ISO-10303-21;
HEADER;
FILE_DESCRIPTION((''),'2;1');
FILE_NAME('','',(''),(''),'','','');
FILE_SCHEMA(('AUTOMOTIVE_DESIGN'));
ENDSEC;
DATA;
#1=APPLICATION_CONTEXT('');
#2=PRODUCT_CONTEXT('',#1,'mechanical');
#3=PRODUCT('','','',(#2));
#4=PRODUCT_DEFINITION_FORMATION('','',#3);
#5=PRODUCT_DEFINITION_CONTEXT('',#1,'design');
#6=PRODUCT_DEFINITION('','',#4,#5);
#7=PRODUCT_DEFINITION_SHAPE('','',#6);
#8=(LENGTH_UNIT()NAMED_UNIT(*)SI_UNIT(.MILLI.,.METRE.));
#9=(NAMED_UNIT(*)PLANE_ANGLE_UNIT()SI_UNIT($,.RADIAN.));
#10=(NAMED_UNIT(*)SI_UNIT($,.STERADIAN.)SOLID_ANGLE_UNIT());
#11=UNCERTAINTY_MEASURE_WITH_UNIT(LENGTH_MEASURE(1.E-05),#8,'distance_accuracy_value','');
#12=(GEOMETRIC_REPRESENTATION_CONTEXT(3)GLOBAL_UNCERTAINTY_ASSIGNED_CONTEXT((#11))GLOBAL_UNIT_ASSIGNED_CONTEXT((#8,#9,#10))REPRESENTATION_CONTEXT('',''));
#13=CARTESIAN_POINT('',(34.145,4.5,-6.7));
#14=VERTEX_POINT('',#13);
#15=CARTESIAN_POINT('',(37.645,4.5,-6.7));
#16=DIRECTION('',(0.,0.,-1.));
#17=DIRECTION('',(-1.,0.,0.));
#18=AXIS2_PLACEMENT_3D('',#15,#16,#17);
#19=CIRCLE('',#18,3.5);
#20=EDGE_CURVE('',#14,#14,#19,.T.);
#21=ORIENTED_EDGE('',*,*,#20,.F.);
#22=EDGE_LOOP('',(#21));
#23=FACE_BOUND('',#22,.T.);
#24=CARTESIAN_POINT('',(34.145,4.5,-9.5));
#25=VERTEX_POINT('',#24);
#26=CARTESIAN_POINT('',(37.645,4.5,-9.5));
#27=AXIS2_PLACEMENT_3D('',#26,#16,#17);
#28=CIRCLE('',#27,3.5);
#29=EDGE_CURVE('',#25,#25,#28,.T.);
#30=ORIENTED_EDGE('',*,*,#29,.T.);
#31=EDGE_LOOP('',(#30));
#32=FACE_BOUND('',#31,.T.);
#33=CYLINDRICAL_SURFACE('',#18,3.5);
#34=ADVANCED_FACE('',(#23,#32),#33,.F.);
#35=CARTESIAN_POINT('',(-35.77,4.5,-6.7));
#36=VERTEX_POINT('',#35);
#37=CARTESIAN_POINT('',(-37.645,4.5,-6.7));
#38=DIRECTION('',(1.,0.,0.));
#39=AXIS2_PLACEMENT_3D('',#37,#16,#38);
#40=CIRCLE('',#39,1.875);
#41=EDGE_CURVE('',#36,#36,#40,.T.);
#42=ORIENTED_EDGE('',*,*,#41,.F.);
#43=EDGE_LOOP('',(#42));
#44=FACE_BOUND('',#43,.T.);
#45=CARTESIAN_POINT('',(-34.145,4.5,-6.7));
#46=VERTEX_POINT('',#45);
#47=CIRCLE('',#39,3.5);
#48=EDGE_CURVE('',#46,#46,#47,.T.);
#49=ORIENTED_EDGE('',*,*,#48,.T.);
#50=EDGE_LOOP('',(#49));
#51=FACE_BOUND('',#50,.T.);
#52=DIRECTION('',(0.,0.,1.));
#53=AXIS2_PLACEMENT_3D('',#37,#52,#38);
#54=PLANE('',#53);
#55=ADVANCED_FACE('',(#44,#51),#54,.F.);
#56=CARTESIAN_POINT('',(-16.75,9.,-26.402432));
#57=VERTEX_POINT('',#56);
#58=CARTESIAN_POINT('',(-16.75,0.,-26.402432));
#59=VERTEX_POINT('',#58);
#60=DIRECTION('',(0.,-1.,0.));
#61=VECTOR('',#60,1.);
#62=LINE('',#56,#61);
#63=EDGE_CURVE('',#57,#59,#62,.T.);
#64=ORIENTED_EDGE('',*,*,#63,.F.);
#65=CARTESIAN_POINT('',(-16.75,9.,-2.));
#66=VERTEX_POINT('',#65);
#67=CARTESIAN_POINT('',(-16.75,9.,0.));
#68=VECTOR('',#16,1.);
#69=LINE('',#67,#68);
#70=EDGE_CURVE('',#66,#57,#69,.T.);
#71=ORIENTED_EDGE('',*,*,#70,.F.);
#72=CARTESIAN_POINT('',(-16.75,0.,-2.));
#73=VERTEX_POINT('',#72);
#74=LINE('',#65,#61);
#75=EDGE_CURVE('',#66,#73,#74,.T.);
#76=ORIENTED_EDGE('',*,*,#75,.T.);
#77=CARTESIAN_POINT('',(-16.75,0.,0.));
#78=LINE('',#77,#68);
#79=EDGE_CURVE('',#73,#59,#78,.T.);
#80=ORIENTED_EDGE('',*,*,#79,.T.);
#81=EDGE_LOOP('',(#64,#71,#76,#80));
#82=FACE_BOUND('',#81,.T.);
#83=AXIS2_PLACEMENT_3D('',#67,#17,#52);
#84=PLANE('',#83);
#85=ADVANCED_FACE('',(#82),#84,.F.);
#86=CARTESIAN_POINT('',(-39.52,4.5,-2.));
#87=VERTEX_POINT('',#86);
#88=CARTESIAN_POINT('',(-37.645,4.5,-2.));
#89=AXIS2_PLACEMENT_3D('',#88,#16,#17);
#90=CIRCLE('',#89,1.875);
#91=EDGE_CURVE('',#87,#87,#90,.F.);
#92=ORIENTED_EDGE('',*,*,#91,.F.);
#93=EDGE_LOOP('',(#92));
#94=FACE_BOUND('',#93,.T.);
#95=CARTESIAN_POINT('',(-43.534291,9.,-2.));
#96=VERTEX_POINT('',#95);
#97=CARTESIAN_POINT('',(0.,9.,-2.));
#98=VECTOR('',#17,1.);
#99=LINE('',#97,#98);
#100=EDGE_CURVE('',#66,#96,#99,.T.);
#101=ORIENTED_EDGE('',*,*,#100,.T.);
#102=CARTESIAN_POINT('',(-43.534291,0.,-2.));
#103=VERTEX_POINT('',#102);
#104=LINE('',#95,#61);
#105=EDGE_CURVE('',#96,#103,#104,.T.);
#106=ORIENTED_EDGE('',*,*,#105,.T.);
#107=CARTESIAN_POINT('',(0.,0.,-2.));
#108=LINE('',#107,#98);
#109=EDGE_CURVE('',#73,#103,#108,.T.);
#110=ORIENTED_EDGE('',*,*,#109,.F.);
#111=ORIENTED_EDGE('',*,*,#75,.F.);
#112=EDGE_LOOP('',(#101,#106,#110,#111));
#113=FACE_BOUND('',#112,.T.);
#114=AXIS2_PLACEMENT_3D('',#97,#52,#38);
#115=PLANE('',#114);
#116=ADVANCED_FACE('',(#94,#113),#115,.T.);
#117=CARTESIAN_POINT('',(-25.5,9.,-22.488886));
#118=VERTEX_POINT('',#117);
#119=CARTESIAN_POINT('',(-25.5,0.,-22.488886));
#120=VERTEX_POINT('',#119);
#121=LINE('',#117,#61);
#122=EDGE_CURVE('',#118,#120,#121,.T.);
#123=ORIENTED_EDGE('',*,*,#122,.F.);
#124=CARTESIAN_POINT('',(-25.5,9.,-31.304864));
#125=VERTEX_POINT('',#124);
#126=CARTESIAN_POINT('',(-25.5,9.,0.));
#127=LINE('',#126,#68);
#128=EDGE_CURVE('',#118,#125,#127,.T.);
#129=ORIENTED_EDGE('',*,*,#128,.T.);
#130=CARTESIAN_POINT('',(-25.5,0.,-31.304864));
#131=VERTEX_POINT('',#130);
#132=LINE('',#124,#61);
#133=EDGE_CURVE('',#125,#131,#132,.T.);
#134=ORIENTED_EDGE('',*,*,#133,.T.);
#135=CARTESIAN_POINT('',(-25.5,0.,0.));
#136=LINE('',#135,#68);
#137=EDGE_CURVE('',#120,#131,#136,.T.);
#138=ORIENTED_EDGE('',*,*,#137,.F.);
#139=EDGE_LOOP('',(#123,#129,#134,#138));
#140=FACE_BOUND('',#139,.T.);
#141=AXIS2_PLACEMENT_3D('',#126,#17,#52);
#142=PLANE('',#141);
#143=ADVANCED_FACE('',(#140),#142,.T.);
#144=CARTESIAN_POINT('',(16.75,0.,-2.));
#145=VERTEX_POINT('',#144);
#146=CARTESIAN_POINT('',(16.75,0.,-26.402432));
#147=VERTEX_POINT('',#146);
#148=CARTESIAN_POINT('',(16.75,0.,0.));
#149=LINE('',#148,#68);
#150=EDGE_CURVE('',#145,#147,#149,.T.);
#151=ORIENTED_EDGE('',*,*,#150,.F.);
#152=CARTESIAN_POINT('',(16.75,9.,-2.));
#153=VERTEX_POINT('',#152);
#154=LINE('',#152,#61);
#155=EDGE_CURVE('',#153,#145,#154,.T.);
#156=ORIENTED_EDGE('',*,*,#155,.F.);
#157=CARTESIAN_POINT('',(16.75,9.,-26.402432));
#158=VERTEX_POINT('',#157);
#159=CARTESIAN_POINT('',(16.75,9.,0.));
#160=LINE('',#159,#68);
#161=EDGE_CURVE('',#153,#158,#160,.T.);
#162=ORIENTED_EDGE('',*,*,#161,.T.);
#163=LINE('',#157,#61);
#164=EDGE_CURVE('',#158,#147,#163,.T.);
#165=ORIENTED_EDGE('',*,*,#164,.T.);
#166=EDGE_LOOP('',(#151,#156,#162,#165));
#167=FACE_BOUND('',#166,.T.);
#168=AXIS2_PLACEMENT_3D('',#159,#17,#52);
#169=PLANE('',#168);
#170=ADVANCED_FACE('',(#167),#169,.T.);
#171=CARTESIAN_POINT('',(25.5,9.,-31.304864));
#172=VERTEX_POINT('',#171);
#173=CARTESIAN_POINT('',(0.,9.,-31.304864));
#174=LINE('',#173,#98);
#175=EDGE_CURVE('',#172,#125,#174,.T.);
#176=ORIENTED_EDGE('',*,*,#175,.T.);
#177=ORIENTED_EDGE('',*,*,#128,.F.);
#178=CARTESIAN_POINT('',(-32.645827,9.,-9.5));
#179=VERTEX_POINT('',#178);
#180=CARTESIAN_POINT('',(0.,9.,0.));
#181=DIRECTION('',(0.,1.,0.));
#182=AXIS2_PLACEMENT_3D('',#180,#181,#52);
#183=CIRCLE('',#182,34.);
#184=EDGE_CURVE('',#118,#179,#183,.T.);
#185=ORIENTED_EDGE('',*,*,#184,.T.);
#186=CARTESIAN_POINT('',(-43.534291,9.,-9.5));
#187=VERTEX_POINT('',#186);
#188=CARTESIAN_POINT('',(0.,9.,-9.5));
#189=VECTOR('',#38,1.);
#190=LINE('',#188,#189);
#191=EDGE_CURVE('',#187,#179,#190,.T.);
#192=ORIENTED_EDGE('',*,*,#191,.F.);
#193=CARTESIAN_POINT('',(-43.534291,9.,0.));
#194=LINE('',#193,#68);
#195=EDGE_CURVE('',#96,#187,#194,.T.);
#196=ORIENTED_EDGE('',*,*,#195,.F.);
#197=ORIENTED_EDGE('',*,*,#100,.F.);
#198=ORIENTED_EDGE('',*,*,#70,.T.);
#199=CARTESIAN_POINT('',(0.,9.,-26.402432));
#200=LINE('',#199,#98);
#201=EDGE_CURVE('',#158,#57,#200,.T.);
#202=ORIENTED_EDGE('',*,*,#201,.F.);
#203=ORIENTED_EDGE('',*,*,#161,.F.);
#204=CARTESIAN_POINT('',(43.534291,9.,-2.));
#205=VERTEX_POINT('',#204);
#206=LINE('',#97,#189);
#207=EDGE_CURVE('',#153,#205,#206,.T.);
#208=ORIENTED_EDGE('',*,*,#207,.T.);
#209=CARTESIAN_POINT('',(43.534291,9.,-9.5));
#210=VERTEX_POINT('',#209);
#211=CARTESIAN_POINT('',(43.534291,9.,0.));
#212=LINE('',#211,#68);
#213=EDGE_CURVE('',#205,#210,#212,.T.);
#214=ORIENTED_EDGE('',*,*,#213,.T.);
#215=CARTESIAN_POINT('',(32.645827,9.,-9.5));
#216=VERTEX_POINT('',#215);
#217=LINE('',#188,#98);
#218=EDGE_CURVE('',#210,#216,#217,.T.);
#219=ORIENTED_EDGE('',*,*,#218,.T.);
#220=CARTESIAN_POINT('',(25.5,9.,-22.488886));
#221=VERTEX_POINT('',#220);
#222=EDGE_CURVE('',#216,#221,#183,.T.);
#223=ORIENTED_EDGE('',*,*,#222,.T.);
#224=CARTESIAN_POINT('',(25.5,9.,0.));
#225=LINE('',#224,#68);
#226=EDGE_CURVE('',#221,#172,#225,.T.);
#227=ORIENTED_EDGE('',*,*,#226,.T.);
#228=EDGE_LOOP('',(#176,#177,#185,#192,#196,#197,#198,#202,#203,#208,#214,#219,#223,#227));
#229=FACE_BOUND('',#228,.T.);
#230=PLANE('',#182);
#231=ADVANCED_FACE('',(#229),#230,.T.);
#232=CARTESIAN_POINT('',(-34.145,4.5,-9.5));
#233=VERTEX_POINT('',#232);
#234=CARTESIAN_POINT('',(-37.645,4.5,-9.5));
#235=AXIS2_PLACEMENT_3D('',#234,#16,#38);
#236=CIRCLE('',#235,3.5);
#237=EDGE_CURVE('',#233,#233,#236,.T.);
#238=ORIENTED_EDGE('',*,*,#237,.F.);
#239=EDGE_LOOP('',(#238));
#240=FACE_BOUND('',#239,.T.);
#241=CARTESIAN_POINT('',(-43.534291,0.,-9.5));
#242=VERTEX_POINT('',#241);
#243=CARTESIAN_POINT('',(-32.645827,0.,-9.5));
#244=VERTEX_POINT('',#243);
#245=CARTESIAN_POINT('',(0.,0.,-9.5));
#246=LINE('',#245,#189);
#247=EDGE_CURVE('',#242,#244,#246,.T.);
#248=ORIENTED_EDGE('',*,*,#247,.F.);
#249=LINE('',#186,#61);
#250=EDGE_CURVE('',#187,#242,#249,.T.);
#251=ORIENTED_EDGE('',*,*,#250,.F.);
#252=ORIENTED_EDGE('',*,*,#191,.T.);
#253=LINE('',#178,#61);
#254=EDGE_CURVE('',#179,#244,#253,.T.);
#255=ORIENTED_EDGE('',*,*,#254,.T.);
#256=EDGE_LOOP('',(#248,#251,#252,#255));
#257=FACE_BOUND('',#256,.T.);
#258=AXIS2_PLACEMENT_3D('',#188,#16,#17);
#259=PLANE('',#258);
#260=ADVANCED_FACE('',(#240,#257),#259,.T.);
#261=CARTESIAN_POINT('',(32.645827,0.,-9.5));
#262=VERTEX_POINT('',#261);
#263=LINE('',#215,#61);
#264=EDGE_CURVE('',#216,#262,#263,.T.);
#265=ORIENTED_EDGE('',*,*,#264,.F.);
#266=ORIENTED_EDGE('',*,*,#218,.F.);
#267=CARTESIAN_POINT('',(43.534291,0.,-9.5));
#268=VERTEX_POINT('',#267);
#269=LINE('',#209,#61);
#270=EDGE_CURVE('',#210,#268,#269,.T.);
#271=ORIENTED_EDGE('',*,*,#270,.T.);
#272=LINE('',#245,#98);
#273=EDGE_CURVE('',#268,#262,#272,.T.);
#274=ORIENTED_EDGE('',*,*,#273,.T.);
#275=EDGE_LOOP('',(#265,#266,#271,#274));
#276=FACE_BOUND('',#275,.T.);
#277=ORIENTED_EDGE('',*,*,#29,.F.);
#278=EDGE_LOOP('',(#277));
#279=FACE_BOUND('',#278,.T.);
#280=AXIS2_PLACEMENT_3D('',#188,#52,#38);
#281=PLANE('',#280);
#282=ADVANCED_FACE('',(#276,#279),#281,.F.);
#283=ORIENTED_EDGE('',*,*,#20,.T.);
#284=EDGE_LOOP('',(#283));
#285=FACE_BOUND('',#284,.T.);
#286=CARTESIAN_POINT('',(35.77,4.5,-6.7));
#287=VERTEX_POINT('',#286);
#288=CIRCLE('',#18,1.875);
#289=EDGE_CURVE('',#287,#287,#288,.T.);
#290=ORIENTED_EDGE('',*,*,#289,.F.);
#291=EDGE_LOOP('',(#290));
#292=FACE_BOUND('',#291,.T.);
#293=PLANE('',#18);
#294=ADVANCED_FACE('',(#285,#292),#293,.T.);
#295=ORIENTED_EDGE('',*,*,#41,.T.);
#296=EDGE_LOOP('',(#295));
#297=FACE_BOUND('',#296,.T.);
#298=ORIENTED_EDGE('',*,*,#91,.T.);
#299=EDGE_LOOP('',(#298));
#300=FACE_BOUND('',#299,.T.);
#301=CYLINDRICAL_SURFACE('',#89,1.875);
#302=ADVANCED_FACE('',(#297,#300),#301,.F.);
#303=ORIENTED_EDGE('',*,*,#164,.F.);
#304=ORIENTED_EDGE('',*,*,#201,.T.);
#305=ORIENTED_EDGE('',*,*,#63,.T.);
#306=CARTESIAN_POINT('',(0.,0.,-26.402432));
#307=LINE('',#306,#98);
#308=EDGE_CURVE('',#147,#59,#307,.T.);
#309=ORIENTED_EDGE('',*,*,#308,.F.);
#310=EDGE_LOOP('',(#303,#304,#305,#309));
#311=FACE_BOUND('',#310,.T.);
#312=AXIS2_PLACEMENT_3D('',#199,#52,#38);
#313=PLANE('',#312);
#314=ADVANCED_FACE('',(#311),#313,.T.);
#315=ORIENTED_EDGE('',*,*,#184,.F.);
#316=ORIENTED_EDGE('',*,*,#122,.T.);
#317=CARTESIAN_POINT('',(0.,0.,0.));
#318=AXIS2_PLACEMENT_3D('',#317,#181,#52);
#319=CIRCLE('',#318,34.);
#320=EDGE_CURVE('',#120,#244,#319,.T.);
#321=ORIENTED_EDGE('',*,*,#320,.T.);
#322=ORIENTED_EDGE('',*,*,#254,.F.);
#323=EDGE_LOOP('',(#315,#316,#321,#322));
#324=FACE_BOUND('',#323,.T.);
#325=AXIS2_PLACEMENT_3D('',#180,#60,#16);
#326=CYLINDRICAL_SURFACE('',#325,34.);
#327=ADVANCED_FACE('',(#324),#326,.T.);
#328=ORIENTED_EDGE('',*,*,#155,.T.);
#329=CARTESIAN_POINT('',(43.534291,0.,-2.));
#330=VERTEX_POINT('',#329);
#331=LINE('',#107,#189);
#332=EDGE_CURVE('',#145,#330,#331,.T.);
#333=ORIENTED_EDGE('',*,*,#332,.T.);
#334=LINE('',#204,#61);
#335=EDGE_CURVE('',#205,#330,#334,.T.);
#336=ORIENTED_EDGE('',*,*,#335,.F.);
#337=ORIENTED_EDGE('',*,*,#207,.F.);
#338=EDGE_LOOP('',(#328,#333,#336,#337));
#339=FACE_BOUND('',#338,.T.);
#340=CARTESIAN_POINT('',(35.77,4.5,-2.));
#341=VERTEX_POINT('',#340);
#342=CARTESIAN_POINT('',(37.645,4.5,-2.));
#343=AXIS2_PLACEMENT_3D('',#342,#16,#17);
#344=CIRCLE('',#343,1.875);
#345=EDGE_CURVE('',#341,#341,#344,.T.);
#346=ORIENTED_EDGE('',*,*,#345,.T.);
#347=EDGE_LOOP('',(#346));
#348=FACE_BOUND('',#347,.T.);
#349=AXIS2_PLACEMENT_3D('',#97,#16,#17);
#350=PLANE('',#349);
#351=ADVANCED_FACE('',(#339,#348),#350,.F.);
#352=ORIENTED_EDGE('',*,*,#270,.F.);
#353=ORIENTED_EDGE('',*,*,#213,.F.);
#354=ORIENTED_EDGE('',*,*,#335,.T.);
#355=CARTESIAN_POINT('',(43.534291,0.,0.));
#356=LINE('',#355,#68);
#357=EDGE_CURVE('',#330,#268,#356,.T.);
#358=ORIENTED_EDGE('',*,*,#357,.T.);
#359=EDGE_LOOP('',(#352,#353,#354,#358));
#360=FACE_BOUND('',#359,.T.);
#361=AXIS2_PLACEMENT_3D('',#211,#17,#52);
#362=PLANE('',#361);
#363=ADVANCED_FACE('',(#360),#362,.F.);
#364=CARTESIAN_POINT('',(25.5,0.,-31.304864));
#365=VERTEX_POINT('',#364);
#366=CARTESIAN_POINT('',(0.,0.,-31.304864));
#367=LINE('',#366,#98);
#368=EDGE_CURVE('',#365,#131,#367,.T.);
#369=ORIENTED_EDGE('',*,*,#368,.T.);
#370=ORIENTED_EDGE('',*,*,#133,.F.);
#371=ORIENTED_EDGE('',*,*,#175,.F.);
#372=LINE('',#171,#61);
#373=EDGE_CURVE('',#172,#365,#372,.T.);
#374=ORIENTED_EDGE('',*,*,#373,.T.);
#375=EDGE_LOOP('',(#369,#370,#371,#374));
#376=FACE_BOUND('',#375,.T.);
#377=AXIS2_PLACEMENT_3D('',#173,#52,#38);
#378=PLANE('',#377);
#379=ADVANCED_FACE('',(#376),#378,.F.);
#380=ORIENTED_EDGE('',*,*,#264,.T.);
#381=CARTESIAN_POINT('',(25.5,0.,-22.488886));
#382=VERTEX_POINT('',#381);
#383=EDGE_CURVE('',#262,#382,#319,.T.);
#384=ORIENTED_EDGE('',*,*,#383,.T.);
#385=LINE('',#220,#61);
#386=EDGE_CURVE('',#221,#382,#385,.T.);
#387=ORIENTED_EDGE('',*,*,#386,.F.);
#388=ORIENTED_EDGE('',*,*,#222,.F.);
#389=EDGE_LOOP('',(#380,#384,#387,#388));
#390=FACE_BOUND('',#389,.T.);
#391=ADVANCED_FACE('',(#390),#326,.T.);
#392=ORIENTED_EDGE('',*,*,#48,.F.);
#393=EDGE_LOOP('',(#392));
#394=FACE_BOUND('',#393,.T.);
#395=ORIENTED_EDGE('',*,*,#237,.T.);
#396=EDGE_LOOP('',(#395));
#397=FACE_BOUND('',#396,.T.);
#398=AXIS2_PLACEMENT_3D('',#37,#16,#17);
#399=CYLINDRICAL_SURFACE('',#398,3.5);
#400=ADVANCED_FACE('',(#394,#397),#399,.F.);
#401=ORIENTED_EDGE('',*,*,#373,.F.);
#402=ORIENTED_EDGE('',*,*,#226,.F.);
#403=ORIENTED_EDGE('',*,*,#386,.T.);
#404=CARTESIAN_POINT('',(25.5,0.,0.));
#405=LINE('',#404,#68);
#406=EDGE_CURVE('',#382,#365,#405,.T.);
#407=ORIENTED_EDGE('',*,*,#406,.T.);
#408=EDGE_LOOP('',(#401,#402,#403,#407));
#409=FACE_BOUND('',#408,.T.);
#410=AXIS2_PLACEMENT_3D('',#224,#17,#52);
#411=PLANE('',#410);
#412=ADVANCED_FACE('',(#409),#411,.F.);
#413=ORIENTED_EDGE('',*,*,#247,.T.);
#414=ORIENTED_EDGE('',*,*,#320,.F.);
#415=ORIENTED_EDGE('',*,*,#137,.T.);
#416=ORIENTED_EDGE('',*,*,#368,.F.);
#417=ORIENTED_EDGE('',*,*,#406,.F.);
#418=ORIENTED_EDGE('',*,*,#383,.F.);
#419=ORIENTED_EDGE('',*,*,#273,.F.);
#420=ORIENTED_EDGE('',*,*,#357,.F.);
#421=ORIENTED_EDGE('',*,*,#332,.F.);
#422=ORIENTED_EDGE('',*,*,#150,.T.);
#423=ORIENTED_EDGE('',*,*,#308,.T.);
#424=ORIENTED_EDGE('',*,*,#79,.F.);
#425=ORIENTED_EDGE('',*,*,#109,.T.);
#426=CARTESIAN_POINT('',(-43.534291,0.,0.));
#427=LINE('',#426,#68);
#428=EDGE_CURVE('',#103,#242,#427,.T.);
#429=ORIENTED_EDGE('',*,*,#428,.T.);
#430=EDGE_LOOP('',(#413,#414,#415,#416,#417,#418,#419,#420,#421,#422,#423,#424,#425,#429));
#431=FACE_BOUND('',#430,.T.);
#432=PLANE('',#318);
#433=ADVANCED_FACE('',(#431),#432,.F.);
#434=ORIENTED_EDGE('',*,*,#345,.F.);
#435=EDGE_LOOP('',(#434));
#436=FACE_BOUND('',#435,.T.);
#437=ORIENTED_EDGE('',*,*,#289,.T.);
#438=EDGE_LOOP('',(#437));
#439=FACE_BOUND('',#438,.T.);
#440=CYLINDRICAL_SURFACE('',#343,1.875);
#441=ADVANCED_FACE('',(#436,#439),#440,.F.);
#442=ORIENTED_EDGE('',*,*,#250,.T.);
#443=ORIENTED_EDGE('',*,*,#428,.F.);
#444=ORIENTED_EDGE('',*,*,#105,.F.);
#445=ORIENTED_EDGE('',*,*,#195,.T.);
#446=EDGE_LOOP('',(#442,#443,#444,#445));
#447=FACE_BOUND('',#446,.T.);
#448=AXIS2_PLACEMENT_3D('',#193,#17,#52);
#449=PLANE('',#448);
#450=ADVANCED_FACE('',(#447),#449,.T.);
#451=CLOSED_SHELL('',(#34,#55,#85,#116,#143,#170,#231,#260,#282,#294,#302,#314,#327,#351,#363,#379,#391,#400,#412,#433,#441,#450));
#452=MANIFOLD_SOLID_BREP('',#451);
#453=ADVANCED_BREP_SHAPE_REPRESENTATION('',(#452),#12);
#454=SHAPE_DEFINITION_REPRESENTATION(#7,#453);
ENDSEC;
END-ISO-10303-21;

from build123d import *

# Parameters (mm, degrees)
SALIENTE_EXTRUIR1_DEPTH = 9
CROQUIS2_R              = 1.875
CORTAR_EXTRUIR1_DEPTH   = 50.514508735
CROQUIS2_3_R            = 3.5
CROQUIS2_3_R_2          = 1.875
CORTAR_EXTRUIR2_DEPTH   = 2.8


with BuildPart() as part:
    # Croquis1 → Saliente-Extruir1 (new body)
    with BuildSketch(Plane(origin=(0, 0, 0), x_dir=(1, 0, 0), z_dir=(0, 1, 0))):
        with BuildLine():
            Line((16.75, 2), (25.53429067, 2))
            Line((25.53429067, 2), (43.53429067, 2))
            Line((43.53429067, 2), (43.53429067, 9.5))
            Line((43.53429067, 9.5), (32.645826686, 9.5))
            ThreePointArc((32.645826686, 9.5), (29.789462584, 16.388652139), (25.5, 22.488886144))
            Line((25.5, 22.488886144), (25.5, 31.304864393))
            Line((25.5, 31.304864393), (-25.5, 31.304864393))
            Line((-25.5, 31.304864393), (-25.5, 22.488886144))
            ThreePointArc((-25.5, 22.488886144), (-29.789462584, 16.388652139), (-32.645826686, 9.5))
            Line((-32.645826686, 9.5), (-43.53429067, 9.5))
            Line((-43.53429067, 9.5), (-43.53429067, 2))
            Line((-43.53429067, 2), (-25.53429067, 2))
            Line((-25.53429067, 2), (-16.75, 2))
            Line((-16.75, 2), (-16.75, 26.402432196))
            Line((-16.75, 26.402432196), (16.75, 26.402432196))
            Line((16.75, 26.402432196), (16.75, 2))
        make_face()
    extrude(amount=SALIENTE_EXTRUIR1_DEPTH)

    # Croquis2 → Cortar-Extruir1 (cut, through all)
    with BuildSketch(Plane(origin=(0, 0, -9.5), x_dir=(-1, 0, 0), z_dir=(0, 0, -1))):
        with Locations((-37.645, 4.5)):
            Circle(CROQUIS2_R)
        with Locations((37.645, 4.5)):
            Circle(CROQUIS2_R)
    extrude(amount=-CORTAR_EXTRUIR1_DEPTH, mode=Mode.SUBTRACT)

    # Croquis2<3> → Cortar-Extruir2 (cut)
    # profile 1 of 2: a face of its own
    with BuildSketch(Plane(origin=(0, 0, -9.5), x_dir=(-1, 0, 0), z_dir=(0, 0, -1))):
        with Locations((-37.645, 4.5)):
            Circle(CROQUIS2_3_R)
        with Locations((-37.645, 4.5)):
            Circle(CROQUIS2_3_R_2, mode=Mode.SUBTRACT)
    # profile 2 of 2: a face of its own
    with BuildSketch(Plane(origin=(0, 0, -9.5), x_dir=(-1, 0, 0), z_dir=(0, 0, -1))):
        with Locations((37.645, 4.5)):
            Circle(CROQUIS2_3_R)
        with Locations((37.645, 4.5)):
            Circle(CROQUIS2_3_R_2, mode=Mode.SUBTRACT)
    extrude(amount=-CORTAR_EXTRUIR2_DEPTH, mode=Mode.SUBTRACT)


solid = part.part
